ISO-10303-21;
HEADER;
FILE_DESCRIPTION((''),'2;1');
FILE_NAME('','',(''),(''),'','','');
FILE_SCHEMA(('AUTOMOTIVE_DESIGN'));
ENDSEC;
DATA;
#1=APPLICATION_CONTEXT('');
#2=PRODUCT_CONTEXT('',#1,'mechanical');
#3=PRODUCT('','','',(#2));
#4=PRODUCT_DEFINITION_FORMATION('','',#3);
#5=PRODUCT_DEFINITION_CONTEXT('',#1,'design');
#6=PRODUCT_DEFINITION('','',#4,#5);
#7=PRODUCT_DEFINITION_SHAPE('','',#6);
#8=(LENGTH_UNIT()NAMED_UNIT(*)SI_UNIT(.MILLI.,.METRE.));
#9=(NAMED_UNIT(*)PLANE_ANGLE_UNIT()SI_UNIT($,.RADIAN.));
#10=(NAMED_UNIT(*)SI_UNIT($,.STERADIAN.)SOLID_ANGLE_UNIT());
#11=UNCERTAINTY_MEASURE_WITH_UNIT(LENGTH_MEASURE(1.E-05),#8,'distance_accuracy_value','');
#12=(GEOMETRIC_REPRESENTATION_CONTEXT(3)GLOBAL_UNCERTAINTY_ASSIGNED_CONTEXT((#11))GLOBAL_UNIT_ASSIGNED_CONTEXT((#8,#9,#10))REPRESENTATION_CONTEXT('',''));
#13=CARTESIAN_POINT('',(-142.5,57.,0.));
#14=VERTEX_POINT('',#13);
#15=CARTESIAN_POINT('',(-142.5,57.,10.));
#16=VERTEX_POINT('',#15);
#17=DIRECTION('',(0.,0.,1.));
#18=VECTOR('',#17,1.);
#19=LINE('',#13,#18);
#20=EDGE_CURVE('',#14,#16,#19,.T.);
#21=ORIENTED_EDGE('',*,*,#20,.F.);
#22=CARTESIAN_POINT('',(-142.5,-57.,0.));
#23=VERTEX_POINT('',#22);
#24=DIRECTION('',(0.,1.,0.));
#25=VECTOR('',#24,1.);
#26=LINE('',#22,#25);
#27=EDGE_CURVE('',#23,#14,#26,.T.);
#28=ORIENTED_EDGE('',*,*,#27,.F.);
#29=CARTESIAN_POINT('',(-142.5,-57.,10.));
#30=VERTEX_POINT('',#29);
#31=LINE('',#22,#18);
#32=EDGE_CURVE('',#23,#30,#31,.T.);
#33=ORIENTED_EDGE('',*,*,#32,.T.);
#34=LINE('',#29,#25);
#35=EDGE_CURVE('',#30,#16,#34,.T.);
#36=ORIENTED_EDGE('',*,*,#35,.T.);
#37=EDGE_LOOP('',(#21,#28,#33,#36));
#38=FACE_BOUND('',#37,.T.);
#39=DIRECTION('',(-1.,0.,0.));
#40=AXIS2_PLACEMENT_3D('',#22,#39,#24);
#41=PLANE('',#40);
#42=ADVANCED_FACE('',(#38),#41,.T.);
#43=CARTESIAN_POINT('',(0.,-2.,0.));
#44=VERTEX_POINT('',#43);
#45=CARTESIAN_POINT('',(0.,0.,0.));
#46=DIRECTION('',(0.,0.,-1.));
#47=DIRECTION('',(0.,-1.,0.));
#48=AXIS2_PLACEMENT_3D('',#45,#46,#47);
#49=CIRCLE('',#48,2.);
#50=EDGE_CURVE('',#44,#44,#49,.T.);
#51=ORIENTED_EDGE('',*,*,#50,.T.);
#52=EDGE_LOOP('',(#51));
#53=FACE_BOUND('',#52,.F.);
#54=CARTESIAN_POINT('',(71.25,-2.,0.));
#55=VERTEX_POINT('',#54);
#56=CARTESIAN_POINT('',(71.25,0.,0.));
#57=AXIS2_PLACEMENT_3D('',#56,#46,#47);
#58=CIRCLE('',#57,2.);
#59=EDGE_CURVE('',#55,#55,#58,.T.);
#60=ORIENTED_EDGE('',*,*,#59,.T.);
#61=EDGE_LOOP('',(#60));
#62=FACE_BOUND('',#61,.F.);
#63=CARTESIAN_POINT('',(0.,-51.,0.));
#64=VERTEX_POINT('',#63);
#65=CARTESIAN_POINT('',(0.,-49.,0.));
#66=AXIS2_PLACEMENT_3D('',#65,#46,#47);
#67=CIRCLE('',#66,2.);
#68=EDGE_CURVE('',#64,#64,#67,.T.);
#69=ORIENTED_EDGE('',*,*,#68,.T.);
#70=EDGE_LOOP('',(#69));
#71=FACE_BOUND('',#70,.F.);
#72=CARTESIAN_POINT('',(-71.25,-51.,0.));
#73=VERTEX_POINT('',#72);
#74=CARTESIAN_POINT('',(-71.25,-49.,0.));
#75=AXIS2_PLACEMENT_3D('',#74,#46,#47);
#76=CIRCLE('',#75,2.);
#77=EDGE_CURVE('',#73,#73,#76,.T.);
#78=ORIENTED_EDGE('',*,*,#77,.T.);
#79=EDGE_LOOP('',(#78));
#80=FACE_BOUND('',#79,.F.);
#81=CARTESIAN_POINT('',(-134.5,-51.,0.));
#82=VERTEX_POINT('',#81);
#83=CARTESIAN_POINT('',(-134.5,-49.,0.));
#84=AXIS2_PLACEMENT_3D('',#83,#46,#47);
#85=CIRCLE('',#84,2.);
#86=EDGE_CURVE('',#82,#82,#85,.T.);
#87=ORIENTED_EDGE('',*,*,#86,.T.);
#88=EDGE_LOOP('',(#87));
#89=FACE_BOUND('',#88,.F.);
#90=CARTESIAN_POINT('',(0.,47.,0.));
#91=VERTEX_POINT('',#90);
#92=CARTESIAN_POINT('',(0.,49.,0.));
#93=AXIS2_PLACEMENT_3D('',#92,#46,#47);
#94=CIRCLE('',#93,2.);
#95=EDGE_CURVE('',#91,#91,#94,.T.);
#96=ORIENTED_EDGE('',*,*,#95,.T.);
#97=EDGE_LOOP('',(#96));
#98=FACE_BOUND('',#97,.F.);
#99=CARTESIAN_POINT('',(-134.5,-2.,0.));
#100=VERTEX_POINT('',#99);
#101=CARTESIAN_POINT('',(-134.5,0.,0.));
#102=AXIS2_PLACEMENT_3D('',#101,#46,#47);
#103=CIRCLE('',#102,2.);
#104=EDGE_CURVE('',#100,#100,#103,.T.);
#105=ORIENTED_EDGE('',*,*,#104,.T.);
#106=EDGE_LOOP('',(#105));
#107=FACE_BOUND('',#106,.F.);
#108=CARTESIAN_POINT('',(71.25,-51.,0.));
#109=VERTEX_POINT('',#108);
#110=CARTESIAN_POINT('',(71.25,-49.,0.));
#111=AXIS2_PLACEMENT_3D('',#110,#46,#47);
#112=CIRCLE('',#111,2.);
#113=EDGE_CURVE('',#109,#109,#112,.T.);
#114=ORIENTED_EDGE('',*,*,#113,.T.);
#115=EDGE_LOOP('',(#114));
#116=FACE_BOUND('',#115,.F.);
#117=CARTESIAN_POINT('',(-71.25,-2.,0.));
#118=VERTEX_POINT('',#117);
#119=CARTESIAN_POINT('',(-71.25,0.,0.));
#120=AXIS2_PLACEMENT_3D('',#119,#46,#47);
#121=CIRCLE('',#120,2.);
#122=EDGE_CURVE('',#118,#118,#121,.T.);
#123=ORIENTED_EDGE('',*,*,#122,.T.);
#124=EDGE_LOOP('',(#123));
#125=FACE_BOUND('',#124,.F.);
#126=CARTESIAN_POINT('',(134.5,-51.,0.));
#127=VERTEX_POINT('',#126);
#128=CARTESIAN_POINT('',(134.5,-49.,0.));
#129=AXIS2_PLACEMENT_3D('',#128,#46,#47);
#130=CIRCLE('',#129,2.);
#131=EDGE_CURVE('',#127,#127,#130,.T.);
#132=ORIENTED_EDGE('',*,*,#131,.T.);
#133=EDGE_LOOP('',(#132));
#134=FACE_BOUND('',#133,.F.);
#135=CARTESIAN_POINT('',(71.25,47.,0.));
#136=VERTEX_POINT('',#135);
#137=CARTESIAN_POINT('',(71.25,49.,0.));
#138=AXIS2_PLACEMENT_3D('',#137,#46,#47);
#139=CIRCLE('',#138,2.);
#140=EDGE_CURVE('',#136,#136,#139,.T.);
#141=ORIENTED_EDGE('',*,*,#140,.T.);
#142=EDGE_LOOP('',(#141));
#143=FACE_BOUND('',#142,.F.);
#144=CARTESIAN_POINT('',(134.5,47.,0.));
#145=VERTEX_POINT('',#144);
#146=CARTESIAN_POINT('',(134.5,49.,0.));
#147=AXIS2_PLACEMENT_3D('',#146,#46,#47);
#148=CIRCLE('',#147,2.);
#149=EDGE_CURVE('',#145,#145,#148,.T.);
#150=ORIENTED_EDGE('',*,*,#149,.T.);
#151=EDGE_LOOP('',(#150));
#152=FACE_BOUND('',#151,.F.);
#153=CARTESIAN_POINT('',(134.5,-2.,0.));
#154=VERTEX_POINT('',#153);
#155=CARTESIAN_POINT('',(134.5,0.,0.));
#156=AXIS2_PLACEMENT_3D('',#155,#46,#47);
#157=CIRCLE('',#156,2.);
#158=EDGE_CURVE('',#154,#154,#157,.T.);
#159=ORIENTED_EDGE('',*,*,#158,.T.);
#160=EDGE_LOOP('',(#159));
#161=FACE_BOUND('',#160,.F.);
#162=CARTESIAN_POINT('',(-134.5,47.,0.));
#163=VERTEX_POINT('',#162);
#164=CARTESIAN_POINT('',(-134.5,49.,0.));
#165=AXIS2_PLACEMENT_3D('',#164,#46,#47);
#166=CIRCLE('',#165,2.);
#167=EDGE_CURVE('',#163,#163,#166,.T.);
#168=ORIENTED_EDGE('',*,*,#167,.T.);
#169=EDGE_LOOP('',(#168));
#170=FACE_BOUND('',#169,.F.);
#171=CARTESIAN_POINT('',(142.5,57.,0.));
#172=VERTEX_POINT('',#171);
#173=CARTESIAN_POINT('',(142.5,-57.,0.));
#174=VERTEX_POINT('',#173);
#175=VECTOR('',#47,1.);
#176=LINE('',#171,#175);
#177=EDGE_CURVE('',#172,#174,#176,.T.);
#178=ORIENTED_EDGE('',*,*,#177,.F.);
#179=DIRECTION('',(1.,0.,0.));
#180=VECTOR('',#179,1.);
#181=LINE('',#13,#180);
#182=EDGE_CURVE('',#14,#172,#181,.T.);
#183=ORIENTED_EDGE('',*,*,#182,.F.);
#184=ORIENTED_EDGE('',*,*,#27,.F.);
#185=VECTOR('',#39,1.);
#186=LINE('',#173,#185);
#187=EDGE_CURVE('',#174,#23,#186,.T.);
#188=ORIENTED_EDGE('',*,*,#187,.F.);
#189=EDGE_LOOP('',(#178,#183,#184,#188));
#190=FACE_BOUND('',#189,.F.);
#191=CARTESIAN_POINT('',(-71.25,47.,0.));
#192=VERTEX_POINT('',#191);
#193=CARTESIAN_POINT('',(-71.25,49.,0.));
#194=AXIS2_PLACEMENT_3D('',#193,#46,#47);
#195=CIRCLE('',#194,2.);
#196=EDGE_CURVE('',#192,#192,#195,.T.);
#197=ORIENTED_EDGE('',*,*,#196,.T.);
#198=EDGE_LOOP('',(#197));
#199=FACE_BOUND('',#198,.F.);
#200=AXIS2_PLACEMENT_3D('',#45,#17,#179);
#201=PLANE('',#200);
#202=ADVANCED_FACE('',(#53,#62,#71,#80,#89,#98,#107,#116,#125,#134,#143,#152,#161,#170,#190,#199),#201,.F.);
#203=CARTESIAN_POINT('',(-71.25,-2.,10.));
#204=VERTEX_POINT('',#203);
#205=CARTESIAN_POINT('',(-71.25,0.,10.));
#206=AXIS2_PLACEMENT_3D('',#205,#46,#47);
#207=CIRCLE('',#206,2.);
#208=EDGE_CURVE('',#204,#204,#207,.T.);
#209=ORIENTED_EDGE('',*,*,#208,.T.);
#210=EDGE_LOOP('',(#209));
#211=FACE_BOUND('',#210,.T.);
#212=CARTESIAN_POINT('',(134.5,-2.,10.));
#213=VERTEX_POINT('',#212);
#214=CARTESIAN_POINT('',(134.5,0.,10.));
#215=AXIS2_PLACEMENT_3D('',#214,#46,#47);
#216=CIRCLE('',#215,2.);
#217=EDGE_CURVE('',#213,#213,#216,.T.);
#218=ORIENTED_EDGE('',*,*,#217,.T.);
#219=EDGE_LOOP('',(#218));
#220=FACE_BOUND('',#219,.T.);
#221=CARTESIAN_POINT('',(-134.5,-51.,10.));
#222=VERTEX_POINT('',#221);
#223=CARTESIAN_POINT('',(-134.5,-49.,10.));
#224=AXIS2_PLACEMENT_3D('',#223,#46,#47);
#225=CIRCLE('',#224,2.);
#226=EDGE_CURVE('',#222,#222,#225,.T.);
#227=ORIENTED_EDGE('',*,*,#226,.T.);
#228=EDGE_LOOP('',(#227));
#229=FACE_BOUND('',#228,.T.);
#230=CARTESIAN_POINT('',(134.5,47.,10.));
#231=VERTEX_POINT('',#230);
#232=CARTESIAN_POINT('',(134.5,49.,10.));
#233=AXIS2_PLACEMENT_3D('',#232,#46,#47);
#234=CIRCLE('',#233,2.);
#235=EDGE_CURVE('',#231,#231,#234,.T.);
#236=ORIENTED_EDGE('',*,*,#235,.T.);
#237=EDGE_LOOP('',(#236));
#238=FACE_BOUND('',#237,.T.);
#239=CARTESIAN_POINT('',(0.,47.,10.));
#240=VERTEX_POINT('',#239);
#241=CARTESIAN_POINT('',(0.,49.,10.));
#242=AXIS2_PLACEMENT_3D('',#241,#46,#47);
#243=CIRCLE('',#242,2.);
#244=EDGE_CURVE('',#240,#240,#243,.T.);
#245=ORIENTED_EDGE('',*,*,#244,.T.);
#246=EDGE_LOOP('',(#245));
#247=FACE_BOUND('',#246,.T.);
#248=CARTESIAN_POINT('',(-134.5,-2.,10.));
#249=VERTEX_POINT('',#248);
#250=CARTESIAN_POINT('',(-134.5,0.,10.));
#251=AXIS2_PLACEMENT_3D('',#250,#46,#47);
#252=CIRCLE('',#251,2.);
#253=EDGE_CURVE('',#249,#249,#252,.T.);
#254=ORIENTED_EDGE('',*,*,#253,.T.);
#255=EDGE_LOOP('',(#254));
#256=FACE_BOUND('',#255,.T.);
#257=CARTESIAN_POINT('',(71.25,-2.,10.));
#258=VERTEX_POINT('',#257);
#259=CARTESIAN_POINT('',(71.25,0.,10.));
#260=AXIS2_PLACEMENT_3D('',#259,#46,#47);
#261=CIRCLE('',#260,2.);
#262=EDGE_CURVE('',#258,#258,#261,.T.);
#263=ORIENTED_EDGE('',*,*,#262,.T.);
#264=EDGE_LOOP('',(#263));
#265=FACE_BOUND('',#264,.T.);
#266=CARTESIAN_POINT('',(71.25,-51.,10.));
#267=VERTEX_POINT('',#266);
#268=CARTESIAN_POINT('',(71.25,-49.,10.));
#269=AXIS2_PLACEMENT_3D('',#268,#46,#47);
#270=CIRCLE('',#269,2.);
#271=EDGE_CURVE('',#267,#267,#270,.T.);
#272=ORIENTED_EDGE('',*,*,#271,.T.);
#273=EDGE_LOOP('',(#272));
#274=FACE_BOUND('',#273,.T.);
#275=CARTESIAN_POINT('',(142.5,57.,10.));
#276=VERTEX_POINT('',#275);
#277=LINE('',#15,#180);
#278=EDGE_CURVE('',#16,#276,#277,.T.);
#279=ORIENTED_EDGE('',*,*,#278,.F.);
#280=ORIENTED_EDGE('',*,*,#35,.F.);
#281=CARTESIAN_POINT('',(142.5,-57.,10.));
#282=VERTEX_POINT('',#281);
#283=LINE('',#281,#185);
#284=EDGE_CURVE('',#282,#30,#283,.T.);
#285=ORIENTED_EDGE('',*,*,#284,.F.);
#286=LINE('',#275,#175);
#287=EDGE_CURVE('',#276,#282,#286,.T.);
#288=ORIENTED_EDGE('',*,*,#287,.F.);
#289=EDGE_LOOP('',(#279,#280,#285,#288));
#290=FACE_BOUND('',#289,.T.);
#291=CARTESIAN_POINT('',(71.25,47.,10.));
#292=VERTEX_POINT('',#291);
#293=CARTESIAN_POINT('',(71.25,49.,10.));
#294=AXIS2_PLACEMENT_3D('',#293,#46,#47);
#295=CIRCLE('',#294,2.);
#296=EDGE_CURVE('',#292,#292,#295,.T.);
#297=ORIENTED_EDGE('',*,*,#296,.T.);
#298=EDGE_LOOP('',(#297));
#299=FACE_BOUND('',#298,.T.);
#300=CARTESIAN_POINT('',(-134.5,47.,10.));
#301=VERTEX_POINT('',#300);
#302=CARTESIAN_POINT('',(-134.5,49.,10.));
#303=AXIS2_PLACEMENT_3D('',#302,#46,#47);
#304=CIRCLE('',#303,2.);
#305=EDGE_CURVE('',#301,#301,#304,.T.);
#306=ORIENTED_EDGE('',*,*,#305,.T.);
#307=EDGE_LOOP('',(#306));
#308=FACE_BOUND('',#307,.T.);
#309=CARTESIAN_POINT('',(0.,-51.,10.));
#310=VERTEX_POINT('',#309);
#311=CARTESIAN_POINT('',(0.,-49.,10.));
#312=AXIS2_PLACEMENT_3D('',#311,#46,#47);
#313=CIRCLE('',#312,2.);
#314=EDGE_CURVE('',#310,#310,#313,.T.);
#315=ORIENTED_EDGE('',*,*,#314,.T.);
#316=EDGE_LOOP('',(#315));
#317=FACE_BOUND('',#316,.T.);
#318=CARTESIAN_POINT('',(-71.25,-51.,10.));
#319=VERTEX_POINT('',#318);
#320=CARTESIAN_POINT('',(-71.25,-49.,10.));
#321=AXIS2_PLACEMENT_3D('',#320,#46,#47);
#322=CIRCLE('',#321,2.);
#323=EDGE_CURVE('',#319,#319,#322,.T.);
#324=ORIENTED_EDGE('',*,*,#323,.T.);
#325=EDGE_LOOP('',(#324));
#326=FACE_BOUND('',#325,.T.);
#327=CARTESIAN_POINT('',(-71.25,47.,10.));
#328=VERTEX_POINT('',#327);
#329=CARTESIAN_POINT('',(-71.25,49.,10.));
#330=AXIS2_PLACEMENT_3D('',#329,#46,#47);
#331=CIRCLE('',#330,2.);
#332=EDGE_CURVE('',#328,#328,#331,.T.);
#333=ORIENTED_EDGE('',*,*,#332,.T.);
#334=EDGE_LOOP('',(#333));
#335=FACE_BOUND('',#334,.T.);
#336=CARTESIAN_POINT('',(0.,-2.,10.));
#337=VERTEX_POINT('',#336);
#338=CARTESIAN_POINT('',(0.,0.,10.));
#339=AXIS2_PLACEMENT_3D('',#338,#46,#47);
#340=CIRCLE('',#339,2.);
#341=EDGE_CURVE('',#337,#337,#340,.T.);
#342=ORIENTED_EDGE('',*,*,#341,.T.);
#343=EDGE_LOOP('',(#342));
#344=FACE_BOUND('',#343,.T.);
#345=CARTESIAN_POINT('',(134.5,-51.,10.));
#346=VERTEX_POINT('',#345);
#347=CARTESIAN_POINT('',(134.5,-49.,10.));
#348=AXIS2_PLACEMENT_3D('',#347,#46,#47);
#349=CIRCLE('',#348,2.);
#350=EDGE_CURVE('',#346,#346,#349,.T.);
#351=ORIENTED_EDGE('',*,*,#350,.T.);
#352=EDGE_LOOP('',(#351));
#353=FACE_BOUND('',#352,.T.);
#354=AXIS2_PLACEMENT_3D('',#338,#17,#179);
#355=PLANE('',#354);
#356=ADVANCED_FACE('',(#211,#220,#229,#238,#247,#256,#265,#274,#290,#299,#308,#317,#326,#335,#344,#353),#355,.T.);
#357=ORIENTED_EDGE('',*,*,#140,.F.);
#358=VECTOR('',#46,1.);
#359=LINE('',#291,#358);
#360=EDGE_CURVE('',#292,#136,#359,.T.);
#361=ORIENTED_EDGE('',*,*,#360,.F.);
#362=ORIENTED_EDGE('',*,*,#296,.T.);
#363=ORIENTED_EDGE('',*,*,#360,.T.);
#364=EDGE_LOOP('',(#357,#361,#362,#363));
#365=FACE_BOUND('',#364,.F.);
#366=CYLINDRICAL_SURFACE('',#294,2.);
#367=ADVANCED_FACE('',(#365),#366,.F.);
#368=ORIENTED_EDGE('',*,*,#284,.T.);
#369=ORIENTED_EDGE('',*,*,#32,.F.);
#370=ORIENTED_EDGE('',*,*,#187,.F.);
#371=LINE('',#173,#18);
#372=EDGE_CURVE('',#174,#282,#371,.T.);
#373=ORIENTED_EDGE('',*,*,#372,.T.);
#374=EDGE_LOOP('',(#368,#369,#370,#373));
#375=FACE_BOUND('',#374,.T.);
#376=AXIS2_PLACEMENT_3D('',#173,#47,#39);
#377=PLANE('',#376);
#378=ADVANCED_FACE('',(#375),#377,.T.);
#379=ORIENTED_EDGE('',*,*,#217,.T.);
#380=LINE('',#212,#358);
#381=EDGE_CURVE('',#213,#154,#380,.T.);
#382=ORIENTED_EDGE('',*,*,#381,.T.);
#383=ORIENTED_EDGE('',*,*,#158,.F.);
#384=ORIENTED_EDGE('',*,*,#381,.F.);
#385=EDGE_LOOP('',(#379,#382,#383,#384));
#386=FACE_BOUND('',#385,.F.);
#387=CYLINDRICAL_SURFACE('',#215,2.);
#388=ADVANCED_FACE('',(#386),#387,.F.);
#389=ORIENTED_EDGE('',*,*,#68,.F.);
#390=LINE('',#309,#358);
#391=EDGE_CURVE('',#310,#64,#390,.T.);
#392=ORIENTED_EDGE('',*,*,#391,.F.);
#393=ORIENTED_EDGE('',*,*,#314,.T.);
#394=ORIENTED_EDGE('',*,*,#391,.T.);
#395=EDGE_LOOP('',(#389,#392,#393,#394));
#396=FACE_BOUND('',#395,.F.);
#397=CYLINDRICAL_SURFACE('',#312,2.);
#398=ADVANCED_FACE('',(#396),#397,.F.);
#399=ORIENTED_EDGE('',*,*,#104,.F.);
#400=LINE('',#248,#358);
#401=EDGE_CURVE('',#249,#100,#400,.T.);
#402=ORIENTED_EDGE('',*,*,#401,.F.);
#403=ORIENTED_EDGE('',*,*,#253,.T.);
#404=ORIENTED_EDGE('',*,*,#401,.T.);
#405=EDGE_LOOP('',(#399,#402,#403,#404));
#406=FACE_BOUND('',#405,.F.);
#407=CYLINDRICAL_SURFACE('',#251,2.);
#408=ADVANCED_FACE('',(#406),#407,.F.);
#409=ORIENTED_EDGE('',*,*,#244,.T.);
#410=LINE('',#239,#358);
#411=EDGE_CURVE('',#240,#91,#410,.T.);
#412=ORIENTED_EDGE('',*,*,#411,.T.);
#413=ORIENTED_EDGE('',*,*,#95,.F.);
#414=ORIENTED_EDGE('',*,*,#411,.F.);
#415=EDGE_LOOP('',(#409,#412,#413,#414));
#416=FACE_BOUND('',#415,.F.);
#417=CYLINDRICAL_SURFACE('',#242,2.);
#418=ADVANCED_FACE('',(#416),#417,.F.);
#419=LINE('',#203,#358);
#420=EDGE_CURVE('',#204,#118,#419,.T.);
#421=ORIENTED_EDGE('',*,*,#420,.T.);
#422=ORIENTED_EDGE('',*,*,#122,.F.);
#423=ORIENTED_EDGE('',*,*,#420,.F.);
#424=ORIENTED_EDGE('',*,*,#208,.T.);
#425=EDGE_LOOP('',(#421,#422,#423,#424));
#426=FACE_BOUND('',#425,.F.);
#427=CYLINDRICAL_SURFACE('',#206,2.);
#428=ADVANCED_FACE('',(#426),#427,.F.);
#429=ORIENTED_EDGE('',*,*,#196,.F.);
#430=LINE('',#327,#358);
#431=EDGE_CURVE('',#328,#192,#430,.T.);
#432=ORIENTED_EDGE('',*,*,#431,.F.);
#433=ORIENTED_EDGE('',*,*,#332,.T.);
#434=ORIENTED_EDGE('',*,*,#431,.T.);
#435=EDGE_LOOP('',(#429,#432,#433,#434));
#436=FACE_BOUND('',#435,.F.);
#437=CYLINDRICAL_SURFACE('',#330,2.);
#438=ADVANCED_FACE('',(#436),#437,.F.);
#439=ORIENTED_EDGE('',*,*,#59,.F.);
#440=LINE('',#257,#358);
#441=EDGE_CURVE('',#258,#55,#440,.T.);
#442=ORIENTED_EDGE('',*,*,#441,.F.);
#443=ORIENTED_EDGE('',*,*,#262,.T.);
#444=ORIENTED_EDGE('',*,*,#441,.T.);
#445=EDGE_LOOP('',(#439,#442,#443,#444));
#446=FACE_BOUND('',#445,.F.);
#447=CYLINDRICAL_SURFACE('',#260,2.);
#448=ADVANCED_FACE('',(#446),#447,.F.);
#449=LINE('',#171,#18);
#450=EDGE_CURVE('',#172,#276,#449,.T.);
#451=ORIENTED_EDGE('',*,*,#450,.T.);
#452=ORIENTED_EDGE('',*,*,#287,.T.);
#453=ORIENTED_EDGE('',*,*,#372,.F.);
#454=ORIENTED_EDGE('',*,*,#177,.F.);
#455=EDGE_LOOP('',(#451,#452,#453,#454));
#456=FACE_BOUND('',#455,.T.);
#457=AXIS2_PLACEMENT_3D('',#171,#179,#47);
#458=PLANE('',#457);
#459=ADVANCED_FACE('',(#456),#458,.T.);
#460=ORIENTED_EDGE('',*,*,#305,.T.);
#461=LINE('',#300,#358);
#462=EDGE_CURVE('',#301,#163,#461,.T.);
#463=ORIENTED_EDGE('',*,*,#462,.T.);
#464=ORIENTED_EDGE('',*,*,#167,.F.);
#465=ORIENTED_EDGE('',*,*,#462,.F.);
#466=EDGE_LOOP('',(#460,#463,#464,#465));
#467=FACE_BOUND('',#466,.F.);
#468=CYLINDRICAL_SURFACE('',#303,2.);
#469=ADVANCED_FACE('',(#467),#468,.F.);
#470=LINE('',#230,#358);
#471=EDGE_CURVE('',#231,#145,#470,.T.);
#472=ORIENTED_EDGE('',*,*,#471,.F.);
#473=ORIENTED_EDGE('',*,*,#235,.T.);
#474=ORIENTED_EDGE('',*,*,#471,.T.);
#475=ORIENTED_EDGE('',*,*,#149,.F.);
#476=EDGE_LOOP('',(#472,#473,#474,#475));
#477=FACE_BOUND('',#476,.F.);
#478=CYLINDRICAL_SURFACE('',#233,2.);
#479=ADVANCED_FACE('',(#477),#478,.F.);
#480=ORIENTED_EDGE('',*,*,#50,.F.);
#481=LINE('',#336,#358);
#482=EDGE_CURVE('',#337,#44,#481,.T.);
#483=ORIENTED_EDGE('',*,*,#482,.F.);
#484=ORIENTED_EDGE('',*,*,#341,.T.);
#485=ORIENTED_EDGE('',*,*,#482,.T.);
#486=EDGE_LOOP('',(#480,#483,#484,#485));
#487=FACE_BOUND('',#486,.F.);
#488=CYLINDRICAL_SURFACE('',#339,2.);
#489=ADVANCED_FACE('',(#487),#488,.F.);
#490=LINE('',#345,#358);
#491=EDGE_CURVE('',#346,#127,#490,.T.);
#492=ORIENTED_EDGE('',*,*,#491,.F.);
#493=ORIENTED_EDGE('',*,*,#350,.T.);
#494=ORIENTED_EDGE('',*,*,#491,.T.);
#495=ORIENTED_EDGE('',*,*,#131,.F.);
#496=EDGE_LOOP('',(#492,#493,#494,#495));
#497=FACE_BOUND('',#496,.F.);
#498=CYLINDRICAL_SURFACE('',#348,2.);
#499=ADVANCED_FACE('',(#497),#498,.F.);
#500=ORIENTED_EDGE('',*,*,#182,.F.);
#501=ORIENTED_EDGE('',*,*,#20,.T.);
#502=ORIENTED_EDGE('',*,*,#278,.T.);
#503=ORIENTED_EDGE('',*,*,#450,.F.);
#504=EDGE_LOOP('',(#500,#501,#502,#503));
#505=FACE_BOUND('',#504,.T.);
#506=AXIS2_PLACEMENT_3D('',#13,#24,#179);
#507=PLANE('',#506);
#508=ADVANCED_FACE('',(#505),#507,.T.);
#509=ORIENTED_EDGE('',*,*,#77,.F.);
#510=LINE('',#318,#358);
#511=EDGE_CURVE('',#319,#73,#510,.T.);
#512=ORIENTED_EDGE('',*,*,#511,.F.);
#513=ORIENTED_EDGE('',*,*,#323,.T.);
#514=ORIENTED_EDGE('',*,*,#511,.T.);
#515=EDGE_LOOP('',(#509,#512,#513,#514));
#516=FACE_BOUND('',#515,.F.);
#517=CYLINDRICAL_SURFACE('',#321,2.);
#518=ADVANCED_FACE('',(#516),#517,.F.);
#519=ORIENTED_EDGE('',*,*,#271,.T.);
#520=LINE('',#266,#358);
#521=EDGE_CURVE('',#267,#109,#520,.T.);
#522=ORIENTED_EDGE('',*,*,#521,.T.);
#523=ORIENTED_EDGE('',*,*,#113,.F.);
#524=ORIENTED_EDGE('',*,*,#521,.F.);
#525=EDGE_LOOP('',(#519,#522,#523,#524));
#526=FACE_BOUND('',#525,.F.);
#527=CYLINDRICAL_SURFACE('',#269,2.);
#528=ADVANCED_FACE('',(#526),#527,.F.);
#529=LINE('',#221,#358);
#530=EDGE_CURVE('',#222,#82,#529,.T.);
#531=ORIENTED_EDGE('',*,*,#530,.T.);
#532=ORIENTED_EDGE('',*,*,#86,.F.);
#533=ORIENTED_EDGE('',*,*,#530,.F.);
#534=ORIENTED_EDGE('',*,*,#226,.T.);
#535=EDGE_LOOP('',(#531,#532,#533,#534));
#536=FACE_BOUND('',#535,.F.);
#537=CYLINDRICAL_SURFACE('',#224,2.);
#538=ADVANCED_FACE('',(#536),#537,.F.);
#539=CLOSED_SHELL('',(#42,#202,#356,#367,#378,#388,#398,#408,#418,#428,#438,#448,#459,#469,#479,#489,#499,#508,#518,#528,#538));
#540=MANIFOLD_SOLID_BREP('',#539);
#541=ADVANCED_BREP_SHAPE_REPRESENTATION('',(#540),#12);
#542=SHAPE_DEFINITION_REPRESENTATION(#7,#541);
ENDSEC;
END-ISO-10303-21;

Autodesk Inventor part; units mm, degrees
ref_plane "YZ Plane" through (0, 0, 0) normal (1, 0, 0) x (0, 1, 0)
ref_plane "XZ Plane" through (0, 0, 0) normal (0, 1, 0) x (-1, 0, 0)
ref_plane "XY Plane" through (0, 0, 0) normal (0, 0, 1) x (1, 0, 0)
sketch "Sketch1" plane through (0, 0, 0) normal (0, 0, 1) x (1, 0, 0)
  line L0 (-142.5, 57) -> (142.5, 57)
  line L1 (142.5, 57) -> (142.5, -57)
  line L2 (142.5, -57) -> (-142.5, -57)
  line L3 (-142.5, -57) -> (-142.5, 57)
  point P0 (0, 0)
  dimension "d0" = 114
  dimension "d1" = 285
  dimension "d2" = 57
  dimension "d3" = 142.5
extrude "Extrusion1" add sketch "Sketch1" along normal blind 10
sketch "Sketch2" plane through (0, 0, 10) normal (0, 0, 1) x (1, 0, 0)
  line L0 (142.5, 57) -> (-142.5, 57) projected
  line L1 (-142.5, 57) -> (-142.5, -57) projected
  line L2 (-142.5, -57) -> (142.5, -57) projected
  line L3 (142.5, -57) -> (142.5, 57) projected
  point P0 (0, 0)
  point P1 (-134.5, 49)
  point P2 (-134.5, -49)
  point P3 (134.5, -49)
  point P4 (134.5, 49)
  point P5 (71.25, 49)
  point P6 (-71.25, 49)
  point P7 (-71.25, -49)
  point P8 (71.25, -49)
  point P9 (-71.25, 0)
  point P10 (0, 0)
  point P11 (71.25, 0)
  point P12 (0, 49)
  point P13 (0, -49)
  point P14 (-134.5, 0)
  point P15 (134.5, 0)
  dimension "d6" = 8
  dimension "d7" = 8
  dimension "d8" = 8
  dimension "d9" = 8
  dimension "d13" = 71.25
  dimension "d14" = 71.25
  dimension "d15" = 71.25
  dimension "d16" = 71.25
hole "Hole1" at (-134.5, 49, 10) at (-134.5, -49, 10) at (134.5, -49, 10) at (134.5, 49, 10) at (71.25, 49, 10) at (-71.25, 49, 10) at (-71.25, -49, 10) at (71.25, -49, 10) at (-71.25, 0, 10) at (0, 0, 10) at (71.25, 0, 10) at (0, 49, 10) at (0, -49, 10) at (-134.5, 0, 10) at (134.5, 0, 10) direction (0, 0, -1) diameter 4 end through all
equation "\"d2\" = 0.5 * d0"
equation "\"d3\" = 0.5 * d1"
equation "\"d13\" = d14"
equation "\"d15\" = d14"
properties part number "CNC Assembly" material "PET Plastic"
